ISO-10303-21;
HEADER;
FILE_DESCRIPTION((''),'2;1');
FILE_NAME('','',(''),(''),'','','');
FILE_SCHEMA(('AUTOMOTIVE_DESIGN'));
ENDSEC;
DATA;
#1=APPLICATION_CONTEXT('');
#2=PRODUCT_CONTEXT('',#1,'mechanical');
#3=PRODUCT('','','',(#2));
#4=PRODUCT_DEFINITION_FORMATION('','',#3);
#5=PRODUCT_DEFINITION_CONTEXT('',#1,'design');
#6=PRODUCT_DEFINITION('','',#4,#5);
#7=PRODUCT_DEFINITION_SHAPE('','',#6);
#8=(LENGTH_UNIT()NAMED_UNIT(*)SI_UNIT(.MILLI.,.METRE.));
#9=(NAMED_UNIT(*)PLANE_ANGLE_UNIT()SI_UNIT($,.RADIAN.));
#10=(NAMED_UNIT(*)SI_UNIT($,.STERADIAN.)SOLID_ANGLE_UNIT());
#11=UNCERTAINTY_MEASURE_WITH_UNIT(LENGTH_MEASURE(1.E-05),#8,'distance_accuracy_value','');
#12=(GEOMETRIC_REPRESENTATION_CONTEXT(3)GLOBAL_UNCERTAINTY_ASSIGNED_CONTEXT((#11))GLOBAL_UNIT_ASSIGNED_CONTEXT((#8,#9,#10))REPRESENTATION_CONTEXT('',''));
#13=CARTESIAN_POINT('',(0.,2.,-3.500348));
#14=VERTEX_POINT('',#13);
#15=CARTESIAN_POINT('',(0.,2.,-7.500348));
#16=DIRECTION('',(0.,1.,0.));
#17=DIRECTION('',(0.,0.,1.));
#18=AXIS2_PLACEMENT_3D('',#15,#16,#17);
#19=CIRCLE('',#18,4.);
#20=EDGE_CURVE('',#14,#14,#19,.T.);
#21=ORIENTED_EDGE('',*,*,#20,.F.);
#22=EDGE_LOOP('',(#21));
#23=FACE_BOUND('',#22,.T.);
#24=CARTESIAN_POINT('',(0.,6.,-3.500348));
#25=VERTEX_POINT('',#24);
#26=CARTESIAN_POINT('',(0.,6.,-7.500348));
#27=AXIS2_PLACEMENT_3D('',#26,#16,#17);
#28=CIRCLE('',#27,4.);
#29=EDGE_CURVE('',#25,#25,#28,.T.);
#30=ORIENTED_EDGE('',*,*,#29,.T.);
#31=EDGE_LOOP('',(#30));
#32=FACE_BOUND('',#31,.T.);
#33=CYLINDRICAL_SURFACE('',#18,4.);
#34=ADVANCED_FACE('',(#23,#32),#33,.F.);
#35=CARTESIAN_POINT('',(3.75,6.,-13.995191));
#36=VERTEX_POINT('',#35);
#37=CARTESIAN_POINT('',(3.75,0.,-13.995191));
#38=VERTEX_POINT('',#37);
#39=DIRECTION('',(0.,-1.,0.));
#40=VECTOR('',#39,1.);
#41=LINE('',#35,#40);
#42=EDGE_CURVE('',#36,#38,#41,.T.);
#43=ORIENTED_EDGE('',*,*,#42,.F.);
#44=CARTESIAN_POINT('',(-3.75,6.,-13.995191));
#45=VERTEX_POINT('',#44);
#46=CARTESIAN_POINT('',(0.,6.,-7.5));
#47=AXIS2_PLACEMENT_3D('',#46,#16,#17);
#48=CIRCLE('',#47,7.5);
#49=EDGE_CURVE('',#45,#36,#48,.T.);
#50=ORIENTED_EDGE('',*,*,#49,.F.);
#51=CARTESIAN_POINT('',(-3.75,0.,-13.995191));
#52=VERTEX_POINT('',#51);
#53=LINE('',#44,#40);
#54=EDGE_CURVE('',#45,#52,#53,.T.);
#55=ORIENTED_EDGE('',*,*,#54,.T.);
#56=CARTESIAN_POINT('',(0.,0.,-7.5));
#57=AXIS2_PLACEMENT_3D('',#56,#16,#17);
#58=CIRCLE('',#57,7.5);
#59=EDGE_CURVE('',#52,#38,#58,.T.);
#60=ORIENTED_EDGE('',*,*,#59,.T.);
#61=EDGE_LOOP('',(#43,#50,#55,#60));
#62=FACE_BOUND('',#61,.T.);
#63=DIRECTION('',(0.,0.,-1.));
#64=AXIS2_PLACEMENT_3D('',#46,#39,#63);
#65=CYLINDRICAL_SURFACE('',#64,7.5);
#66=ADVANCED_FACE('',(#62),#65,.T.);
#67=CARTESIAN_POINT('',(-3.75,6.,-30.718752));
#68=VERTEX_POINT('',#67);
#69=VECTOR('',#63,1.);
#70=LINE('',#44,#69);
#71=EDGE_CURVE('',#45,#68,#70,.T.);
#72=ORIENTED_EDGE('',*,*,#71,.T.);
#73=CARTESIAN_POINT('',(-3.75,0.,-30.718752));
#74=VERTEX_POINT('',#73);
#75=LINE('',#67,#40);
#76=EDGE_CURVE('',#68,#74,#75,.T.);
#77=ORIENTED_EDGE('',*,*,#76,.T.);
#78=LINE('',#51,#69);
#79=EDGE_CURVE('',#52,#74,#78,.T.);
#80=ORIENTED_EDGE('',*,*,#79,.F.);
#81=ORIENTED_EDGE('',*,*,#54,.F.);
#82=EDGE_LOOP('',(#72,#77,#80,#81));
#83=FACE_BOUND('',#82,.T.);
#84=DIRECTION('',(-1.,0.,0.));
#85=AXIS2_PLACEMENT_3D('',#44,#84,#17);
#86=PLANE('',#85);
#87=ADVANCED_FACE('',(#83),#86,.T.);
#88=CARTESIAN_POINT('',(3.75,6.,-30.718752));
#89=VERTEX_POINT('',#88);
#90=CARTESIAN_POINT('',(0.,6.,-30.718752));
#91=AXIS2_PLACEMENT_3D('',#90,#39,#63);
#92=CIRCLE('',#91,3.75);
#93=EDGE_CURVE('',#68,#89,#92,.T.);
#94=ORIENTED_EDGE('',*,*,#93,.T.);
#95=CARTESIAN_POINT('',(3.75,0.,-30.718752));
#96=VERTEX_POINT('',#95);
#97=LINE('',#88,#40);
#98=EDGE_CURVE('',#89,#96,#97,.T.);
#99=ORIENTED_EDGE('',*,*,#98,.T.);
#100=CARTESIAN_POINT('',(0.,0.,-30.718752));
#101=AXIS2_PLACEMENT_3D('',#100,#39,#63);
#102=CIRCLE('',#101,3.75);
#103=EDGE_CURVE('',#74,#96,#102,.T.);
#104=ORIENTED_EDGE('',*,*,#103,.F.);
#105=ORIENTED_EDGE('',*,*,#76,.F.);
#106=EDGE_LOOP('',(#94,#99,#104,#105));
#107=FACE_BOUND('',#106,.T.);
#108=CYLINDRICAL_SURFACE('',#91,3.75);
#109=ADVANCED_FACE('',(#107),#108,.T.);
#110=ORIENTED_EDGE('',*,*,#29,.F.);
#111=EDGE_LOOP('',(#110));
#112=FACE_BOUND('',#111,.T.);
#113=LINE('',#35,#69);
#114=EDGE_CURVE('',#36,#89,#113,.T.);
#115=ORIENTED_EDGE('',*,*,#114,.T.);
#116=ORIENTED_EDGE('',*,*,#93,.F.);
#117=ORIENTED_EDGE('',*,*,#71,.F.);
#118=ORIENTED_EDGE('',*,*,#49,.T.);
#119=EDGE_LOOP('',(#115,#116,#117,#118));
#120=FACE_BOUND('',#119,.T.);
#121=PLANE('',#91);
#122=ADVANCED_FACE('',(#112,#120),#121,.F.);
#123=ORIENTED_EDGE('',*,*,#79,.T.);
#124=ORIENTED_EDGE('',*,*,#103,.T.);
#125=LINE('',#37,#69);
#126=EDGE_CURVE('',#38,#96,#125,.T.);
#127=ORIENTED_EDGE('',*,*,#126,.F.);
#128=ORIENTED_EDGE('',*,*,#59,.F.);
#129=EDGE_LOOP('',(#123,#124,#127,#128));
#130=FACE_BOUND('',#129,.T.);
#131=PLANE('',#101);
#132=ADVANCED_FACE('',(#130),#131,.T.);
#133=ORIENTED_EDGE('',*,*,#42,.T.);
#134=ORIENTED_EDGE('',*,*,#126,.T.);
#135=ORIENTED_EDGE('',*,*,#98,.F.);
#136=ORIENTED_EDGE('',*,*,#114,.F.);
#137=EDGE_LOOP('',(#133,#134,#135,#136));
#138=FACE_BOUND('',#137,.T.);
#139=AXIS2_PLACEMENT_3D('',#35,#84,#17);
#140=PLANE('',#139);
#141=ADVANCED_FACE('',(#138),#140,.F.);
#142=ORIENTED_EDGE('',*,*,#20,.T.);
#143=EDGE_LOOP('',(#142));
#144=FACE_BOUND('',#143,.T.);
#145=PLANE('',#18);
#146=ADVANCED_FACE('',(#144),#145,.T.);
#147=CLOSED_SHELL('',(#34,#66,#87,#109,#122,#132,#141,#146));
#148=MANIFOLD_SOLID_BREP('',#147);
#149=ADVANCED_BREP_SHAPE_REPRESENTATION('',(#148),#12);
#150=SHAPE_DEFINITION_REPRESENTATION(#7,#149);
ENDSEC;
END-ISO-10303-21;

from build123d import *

# Parameters (mm, degrees)
BOSS_EXTRUDE1_DEPTH = 6
SKETCH3_R           = 4
CUT_EXTRUDE1_DEPTH  = 4


with BuildPart() as part:
    # Sketch1 → Boss-Extrude1 (new body)
    with BuildSketch(Plane(origin=(0, 0, 0), x_dir=(1, 0, 0), z_dir=(0, 1, 0))):
        with BuildLine():
            Line((-3.75, 13.995190528), (-3.75, 30.718752222))
            ThreePointArc((-3.75, 30.718752222), (0, 34.468752222), (3.75, 30.718752222))
            Line((3.75, 30.718752222), (3.75, 13.995190528))
            ThreePointArc((3.75, 13.995190528), (0, 0), (-3.75, 13.995190528))
        make_face()
    extrude(amount=BOSS_EXTRUDE1_DEPTH)

    # Sketch3 → Cut-Extrude1 (cut)
    with BuildSketch(Plane(origin=(0, 6, 0), x_dir=(1, 0, 0), z_dir=(0, 1, 0))):
        with Locations(Location((0, 7.500347692, 0), (0, 0, 270))):
            Circle(SKETCH3_R)
    extrude(amount=-CUT_EXTRUDE1_DEPTH, mode=Mode.SUBTRACT)


solid = part.part
